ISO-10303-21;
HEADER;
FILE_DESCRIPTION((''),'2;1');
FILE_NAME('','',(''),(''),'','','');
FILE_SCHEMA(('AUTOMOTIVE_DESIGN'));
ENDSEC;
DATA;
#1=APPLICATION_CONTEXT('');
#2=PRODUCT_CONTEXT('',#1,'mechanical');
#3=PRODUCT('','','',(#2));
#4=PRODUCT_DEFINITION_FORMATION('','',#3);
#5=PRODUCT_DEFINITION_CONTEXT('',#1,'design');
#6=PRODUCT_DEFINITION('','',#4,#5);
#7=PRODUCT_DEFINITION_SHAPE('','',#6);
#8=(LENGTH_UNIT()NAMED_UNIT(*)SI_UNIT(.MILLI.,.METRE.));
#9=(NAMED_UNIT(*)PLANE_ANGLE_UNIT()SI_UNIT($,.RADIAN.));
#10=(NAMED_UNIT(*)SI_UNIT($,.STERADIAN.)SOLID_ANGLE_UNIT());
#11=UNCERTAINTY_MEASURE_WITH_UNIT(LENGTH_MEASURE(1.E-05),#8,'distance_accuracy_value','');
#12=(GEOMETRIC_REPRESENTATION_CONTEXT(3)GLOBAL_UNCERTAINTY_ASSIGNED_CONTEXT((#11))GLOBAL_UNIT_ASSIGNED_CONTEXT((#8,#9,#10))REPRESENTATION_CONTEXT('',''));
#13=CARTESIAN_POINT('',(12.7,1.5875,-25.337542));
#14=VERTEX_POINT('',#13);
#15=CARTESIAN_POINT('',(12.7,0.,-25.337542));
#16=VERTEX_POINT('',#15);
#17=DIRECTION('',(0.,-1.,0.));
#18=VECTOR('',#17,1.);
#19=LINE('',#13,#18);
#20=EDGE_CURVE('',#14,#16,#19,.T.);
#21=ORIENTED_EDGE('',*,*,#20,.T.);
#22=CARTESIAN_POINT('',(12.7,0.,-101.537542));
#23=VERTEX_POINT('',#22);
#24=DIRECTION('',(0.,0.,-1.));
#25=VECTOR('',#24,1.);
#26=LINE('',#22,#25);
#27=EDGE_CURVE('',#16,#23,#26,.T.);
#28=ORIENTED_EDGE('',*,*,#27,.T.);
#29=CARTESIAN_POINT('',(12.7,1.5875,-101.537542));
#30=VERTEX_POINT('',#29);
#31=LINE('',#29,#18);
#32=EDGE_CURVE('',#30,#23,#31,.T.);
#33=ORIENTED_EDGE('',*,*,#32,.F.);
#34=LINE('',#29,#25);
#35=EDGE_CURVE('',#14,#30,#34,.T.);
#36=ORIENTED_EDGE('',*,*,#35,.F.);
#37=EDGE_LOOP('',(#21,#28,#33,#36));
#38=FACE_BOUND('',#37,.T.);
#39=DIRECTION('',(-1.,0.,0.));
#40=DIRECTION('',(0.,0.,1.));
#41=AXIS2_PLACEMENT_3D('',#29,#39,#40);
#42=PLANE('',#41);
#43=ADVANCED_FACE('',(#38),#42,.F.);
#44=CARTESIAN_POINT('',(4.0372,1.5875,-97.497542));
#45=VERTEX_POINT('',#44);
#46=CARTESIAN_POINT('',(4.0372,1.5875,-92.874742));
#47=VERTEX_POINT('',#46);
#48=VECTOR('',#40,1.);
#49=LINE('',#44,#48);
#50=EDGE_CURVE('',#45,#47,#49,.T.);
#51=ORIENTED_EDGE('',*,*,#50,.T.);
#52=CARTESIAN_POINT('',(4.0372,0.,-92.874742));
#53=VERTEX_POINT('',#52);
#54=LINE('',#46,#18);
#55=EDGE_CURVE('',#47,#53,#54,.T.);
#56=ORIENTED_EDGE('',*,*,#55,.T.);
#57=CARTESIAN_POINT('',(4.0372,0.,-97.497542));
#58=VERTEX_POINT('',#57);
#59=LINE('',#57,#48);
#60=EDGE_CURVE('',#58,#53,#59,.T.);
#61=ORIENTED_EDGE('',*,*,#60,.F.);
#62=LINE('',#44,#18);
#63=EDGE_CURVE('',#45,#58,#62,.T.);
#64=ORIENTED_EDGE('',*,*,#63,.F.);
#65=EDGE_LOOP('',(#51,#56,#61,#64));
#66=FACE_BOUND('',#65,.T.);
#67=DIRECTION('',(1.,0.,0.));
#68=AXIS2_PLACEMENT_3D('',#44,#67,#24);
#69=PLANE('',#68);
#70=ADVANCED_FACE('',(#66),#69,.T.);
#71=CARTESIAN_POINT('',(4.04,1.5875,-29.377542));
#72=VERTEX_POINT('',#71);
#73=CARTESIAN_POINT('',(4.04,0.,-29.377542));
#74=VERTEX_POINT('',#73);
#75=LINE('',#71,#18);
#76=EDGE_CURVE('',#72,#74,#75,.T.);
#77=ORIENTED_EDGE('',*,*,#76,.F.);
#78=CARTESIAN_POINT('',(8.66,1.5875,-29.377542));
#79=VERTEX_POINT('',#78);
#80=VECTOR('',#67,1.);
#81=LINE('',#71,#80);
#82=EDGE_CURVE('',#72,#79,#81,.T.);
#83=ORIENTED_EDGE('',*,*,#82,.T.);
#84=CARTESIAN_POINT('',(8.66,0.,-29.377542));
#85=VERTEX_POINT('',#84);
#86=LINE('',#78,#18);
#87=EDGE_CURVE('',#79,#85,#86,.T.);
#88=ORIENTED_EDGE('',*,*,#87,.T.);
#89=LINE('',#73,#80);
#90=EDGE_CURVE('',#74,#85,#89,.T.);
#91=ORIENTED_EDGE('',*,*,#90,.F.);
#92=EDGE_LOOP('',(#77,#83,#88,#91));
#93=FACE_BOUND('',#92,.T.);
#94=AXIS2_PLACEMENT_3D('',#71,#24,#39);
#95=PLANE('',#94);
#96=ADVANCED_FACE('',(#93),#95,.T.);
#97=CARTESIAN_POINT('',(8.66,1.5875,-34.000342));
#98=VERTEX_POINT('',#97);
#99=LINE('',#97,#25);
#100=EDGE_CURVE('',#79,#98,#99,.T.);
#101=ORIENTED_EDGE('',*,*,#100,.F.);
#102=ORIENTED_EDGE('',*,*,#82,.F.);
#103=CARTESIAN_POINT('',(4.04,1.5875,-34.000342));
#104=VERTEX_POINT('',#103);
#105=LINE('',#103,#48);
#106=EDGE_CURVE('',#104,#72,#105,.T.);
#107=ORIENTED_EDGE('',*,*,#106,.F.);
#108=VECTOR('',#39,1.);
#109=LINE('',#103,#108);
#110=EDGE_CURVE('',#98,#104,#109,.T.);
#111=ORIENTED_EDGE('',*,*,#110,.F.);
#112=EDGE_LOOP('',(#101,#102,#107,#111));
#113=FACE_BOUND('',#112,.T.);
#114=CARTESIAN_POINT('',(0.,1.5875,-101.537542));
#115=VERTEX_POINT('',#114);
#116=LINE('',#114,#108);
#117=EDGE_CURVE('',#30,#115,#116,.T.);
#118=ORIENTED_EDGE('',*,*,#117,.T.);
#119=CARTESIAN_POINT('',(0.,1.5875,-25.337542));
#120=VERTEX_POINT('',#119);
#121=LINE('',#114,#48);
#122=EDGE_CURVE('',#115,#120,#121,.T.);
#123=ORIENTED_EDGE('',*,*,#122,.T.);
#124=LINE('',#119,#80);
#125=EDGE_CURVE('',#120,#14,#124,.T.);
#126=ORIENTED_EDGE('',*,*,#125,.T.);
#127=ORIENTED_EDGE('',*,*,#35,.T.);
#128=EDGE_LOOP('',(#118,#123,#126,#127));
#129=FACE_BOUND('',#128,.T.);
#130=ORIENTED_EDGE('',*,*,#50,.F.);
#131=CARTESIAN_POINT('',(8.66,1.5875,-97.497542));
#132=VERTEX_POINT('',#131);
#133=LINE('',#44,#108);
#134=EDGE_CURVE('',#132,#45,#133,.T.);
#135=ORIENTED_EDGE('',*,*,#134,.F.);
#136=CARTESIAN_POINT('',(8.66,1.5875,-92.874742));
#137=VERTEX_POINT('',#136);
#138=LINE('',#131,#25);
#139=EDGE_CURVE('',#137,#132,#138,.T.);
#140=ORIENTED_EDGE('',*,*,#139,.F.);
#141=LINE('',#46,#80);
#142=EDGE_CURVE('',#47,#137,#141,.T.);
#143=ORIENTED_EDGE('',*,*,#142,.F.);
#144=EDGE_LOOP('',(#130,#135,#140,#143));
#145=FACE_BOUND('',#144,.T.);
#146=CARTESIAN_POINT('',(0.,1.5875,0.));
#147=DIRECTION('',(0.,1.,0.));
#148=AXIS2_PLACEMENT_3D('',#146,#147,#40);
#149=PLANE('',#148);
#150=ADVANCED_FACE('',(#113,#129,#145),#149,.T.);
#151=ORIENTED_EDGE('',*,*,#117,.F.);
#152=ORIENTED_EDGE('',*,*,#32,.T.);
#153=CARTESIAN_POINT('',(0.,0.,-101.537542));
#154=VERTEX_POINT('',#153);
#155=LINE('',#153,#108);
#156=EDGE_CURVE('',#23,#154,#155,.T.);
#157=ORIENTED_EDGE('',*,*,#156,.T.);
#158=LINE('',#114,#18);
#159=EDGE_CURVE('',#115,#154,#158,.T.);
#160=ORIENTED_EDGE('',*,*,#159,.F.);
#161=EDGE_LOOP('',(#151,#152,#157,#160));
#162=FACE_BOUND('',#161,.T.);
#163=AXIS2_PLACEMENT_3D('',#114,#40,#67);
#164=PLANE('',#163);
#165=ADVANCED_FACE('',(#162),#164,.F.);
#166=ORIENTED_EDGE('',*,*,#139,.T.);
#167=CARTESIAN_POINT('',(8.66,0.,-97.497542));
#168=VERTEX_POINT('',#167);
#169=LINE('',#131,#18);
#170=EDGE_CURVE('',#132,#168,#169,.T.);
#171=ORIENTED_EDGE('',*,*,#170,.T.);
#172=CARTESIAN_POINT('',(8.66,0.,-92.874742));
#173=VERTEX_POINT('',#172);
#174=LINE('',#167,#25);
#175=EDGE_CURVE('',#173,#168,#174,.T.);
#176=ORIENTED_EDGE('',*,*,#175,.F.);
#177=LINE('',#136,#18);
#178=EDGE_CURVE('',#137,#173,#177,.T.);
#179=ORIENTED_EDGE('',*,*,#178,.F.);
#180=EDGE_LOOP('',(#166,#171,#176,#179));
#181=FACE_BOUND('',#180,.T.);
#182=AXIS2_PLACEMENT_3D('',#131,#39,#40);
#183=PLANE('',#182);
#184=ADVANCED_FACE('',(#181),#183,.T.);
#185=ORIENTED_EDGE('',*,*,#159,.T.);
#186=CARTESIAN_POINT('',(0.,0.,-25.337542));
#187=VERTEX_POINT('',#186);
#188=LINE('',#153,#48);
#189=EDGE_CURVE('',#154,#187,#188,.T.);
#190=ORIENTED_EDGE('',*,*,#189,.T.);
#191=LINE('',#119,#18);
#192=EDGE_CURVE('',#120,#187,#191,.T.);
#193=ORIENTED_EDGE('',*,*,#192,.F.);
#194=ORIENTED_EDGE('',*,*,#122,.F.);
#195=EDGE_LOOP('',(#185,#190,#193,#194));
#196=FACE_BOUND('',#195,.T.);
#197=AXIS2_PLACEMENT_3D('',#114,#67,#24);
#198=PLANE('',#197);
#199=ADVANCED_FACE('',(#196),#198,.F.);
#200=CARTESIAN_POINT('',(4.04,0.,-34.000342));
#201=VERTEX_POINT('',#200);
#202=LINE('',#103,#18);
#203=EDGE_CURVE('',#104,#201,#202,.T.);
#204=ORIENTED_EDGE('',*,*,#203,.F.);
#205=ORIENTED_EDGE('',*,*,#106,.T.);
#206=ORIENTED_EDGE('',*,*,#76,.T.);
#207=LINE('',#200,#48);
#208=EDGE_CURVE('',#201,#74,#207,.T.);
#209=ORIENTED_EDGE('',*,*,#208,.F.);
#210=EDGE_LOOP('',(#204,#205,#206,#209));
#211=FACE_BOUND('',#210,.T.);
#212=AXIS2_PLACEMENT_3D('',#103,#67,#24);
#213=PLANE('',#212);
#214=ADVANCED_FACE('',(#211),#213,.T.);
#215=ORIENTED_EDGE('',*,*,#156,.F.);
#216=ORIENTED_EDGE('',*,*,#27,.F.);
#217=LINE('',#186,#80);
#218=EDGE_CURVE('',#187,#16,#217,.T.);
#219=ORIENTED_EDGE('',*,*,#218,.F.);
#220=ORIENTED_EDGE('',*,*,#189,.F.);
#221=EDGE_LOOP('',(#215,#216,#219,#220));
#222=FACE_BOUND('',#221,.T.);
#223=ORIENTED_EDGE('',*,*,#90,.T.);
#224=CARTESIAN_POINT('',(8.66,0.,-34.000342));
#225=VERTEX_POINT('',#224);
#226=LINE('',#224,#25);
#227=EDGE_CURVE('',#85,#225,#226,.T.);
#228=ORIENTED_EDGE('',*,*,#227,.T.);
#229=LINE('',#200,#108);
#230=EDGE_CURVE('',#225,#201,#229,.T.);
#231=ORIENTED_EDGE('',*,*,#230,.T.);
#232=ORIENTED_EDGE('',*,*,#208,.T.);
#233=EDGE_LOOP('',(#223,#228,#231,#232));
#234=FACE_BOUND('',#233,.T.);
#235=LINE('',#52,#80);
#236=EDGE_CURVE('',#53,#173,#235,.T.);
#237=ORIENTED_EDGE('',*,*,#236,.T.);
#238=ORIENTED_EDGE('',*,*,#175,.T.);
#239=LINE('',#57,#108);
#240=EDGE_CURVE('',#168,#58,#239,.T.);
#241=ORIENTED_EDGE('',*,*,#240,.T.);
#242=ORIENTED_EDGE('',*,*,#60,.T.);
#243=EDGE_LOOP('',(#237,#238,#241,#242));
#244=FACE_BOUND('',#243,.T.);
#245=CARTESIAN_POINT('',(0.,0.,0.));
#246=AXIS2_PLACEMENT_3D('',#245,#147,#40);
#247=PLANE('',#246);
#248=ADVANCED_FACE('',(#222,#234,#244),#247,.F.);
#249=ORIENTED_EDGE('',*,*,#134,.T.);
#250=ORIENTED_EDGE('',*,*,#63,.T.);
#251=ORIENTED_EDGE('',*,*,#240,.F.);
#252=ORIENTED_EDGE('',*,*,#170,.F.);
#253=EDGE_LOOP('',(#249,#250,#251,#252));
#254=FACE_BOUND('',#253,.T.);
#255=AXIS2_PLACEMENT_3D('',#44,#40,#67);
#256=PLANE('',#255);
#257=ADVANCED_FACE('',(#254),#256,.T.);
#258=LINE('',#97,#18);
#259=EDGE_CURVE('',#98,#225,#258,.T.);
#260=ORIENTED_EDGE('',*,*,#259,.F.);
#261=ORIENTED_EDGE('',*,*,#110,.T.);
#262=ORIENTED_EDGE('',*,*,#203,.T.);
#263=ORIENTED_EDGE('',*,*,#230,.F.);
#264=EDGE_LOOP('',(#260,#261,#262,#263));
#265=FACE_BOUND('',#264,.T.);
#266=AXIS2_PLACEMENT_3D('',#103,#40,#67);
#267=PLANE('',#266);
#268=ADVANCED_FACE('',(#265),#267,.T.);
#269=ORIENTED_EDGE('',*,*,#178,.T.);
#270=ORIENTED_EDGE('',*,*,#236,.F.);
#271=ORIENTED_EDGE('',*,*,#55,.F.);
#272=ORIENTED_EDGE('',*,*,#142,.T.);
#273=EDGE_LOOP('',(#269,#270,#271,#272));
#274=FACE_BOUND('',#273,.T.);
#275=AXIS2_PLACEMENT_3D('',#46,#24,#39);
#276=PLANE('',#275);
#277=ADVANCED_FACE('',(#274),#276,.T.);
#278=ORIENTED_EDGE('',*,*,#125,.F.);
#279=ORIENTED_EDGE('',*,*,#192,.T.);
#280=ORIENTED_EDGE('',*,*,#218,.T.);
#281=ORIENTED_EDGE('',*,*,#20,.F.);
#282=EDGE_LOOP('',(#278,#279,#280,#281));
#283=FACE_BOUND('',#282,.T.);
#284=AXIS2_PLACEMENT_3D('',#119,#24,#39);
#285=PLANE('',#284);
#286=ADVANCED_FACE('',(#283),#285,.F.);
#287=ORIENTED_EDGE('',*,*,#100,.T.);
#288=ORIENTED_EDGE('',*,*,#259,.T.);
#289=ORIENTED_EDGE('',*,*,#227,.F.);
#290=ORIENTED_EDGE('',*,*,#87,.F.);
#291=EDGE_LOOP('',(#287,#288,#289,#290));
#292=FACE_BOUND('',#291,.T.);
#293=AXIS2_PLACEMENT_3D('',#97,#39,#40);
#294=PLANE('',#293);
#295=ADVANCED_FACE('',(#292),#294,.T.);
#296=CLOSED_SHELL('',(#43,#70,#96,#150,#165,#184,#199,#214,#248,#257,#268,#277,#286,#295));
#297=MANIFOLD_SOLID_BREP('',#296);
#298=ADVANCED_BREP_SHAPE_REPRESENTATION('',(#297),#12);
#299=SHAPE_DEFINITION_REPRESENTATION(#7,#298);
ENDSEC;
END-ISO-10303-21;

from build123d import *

# Parameters (mm, degrees)
SKETCH1_W           = 12.7
SKETCH1_H           = 76.2
SKETCH1_W_2         = 4.6228
SKETCH1_H_2         = 4.6228
SKETCH1_W_3         = 4.62
BOSS_EXTRUDE1_DEPTH = 1.5875


with BuildPart() as part:
    # Sketch1 → Boss-Extrude1 (new body)
    with BuildSketch(Plane(origin=(0, 0, 0), x_dir=(1, 0, 0), z_dir=(0, 1, 0))):
        with Locations((6.35, 63.437542426)):
            Rectangle(SKETCH1_W, SKETCH1_H)
        with Locations((6.3486, 95.186142426)):
            Rectangle(SKETCH1_W_2, SKETCH1_H_2, mode=Mode.SUBTRACT)
        with Locations((6.35, 31.688942426)):
            Rectangle(SKETCH1_W_3, SKETCH1_H_2, mode=Mode.SUBTRACT)
    extrude(amount=BOSS_EXTRUDE1_DEPTH)


solid = part.part
